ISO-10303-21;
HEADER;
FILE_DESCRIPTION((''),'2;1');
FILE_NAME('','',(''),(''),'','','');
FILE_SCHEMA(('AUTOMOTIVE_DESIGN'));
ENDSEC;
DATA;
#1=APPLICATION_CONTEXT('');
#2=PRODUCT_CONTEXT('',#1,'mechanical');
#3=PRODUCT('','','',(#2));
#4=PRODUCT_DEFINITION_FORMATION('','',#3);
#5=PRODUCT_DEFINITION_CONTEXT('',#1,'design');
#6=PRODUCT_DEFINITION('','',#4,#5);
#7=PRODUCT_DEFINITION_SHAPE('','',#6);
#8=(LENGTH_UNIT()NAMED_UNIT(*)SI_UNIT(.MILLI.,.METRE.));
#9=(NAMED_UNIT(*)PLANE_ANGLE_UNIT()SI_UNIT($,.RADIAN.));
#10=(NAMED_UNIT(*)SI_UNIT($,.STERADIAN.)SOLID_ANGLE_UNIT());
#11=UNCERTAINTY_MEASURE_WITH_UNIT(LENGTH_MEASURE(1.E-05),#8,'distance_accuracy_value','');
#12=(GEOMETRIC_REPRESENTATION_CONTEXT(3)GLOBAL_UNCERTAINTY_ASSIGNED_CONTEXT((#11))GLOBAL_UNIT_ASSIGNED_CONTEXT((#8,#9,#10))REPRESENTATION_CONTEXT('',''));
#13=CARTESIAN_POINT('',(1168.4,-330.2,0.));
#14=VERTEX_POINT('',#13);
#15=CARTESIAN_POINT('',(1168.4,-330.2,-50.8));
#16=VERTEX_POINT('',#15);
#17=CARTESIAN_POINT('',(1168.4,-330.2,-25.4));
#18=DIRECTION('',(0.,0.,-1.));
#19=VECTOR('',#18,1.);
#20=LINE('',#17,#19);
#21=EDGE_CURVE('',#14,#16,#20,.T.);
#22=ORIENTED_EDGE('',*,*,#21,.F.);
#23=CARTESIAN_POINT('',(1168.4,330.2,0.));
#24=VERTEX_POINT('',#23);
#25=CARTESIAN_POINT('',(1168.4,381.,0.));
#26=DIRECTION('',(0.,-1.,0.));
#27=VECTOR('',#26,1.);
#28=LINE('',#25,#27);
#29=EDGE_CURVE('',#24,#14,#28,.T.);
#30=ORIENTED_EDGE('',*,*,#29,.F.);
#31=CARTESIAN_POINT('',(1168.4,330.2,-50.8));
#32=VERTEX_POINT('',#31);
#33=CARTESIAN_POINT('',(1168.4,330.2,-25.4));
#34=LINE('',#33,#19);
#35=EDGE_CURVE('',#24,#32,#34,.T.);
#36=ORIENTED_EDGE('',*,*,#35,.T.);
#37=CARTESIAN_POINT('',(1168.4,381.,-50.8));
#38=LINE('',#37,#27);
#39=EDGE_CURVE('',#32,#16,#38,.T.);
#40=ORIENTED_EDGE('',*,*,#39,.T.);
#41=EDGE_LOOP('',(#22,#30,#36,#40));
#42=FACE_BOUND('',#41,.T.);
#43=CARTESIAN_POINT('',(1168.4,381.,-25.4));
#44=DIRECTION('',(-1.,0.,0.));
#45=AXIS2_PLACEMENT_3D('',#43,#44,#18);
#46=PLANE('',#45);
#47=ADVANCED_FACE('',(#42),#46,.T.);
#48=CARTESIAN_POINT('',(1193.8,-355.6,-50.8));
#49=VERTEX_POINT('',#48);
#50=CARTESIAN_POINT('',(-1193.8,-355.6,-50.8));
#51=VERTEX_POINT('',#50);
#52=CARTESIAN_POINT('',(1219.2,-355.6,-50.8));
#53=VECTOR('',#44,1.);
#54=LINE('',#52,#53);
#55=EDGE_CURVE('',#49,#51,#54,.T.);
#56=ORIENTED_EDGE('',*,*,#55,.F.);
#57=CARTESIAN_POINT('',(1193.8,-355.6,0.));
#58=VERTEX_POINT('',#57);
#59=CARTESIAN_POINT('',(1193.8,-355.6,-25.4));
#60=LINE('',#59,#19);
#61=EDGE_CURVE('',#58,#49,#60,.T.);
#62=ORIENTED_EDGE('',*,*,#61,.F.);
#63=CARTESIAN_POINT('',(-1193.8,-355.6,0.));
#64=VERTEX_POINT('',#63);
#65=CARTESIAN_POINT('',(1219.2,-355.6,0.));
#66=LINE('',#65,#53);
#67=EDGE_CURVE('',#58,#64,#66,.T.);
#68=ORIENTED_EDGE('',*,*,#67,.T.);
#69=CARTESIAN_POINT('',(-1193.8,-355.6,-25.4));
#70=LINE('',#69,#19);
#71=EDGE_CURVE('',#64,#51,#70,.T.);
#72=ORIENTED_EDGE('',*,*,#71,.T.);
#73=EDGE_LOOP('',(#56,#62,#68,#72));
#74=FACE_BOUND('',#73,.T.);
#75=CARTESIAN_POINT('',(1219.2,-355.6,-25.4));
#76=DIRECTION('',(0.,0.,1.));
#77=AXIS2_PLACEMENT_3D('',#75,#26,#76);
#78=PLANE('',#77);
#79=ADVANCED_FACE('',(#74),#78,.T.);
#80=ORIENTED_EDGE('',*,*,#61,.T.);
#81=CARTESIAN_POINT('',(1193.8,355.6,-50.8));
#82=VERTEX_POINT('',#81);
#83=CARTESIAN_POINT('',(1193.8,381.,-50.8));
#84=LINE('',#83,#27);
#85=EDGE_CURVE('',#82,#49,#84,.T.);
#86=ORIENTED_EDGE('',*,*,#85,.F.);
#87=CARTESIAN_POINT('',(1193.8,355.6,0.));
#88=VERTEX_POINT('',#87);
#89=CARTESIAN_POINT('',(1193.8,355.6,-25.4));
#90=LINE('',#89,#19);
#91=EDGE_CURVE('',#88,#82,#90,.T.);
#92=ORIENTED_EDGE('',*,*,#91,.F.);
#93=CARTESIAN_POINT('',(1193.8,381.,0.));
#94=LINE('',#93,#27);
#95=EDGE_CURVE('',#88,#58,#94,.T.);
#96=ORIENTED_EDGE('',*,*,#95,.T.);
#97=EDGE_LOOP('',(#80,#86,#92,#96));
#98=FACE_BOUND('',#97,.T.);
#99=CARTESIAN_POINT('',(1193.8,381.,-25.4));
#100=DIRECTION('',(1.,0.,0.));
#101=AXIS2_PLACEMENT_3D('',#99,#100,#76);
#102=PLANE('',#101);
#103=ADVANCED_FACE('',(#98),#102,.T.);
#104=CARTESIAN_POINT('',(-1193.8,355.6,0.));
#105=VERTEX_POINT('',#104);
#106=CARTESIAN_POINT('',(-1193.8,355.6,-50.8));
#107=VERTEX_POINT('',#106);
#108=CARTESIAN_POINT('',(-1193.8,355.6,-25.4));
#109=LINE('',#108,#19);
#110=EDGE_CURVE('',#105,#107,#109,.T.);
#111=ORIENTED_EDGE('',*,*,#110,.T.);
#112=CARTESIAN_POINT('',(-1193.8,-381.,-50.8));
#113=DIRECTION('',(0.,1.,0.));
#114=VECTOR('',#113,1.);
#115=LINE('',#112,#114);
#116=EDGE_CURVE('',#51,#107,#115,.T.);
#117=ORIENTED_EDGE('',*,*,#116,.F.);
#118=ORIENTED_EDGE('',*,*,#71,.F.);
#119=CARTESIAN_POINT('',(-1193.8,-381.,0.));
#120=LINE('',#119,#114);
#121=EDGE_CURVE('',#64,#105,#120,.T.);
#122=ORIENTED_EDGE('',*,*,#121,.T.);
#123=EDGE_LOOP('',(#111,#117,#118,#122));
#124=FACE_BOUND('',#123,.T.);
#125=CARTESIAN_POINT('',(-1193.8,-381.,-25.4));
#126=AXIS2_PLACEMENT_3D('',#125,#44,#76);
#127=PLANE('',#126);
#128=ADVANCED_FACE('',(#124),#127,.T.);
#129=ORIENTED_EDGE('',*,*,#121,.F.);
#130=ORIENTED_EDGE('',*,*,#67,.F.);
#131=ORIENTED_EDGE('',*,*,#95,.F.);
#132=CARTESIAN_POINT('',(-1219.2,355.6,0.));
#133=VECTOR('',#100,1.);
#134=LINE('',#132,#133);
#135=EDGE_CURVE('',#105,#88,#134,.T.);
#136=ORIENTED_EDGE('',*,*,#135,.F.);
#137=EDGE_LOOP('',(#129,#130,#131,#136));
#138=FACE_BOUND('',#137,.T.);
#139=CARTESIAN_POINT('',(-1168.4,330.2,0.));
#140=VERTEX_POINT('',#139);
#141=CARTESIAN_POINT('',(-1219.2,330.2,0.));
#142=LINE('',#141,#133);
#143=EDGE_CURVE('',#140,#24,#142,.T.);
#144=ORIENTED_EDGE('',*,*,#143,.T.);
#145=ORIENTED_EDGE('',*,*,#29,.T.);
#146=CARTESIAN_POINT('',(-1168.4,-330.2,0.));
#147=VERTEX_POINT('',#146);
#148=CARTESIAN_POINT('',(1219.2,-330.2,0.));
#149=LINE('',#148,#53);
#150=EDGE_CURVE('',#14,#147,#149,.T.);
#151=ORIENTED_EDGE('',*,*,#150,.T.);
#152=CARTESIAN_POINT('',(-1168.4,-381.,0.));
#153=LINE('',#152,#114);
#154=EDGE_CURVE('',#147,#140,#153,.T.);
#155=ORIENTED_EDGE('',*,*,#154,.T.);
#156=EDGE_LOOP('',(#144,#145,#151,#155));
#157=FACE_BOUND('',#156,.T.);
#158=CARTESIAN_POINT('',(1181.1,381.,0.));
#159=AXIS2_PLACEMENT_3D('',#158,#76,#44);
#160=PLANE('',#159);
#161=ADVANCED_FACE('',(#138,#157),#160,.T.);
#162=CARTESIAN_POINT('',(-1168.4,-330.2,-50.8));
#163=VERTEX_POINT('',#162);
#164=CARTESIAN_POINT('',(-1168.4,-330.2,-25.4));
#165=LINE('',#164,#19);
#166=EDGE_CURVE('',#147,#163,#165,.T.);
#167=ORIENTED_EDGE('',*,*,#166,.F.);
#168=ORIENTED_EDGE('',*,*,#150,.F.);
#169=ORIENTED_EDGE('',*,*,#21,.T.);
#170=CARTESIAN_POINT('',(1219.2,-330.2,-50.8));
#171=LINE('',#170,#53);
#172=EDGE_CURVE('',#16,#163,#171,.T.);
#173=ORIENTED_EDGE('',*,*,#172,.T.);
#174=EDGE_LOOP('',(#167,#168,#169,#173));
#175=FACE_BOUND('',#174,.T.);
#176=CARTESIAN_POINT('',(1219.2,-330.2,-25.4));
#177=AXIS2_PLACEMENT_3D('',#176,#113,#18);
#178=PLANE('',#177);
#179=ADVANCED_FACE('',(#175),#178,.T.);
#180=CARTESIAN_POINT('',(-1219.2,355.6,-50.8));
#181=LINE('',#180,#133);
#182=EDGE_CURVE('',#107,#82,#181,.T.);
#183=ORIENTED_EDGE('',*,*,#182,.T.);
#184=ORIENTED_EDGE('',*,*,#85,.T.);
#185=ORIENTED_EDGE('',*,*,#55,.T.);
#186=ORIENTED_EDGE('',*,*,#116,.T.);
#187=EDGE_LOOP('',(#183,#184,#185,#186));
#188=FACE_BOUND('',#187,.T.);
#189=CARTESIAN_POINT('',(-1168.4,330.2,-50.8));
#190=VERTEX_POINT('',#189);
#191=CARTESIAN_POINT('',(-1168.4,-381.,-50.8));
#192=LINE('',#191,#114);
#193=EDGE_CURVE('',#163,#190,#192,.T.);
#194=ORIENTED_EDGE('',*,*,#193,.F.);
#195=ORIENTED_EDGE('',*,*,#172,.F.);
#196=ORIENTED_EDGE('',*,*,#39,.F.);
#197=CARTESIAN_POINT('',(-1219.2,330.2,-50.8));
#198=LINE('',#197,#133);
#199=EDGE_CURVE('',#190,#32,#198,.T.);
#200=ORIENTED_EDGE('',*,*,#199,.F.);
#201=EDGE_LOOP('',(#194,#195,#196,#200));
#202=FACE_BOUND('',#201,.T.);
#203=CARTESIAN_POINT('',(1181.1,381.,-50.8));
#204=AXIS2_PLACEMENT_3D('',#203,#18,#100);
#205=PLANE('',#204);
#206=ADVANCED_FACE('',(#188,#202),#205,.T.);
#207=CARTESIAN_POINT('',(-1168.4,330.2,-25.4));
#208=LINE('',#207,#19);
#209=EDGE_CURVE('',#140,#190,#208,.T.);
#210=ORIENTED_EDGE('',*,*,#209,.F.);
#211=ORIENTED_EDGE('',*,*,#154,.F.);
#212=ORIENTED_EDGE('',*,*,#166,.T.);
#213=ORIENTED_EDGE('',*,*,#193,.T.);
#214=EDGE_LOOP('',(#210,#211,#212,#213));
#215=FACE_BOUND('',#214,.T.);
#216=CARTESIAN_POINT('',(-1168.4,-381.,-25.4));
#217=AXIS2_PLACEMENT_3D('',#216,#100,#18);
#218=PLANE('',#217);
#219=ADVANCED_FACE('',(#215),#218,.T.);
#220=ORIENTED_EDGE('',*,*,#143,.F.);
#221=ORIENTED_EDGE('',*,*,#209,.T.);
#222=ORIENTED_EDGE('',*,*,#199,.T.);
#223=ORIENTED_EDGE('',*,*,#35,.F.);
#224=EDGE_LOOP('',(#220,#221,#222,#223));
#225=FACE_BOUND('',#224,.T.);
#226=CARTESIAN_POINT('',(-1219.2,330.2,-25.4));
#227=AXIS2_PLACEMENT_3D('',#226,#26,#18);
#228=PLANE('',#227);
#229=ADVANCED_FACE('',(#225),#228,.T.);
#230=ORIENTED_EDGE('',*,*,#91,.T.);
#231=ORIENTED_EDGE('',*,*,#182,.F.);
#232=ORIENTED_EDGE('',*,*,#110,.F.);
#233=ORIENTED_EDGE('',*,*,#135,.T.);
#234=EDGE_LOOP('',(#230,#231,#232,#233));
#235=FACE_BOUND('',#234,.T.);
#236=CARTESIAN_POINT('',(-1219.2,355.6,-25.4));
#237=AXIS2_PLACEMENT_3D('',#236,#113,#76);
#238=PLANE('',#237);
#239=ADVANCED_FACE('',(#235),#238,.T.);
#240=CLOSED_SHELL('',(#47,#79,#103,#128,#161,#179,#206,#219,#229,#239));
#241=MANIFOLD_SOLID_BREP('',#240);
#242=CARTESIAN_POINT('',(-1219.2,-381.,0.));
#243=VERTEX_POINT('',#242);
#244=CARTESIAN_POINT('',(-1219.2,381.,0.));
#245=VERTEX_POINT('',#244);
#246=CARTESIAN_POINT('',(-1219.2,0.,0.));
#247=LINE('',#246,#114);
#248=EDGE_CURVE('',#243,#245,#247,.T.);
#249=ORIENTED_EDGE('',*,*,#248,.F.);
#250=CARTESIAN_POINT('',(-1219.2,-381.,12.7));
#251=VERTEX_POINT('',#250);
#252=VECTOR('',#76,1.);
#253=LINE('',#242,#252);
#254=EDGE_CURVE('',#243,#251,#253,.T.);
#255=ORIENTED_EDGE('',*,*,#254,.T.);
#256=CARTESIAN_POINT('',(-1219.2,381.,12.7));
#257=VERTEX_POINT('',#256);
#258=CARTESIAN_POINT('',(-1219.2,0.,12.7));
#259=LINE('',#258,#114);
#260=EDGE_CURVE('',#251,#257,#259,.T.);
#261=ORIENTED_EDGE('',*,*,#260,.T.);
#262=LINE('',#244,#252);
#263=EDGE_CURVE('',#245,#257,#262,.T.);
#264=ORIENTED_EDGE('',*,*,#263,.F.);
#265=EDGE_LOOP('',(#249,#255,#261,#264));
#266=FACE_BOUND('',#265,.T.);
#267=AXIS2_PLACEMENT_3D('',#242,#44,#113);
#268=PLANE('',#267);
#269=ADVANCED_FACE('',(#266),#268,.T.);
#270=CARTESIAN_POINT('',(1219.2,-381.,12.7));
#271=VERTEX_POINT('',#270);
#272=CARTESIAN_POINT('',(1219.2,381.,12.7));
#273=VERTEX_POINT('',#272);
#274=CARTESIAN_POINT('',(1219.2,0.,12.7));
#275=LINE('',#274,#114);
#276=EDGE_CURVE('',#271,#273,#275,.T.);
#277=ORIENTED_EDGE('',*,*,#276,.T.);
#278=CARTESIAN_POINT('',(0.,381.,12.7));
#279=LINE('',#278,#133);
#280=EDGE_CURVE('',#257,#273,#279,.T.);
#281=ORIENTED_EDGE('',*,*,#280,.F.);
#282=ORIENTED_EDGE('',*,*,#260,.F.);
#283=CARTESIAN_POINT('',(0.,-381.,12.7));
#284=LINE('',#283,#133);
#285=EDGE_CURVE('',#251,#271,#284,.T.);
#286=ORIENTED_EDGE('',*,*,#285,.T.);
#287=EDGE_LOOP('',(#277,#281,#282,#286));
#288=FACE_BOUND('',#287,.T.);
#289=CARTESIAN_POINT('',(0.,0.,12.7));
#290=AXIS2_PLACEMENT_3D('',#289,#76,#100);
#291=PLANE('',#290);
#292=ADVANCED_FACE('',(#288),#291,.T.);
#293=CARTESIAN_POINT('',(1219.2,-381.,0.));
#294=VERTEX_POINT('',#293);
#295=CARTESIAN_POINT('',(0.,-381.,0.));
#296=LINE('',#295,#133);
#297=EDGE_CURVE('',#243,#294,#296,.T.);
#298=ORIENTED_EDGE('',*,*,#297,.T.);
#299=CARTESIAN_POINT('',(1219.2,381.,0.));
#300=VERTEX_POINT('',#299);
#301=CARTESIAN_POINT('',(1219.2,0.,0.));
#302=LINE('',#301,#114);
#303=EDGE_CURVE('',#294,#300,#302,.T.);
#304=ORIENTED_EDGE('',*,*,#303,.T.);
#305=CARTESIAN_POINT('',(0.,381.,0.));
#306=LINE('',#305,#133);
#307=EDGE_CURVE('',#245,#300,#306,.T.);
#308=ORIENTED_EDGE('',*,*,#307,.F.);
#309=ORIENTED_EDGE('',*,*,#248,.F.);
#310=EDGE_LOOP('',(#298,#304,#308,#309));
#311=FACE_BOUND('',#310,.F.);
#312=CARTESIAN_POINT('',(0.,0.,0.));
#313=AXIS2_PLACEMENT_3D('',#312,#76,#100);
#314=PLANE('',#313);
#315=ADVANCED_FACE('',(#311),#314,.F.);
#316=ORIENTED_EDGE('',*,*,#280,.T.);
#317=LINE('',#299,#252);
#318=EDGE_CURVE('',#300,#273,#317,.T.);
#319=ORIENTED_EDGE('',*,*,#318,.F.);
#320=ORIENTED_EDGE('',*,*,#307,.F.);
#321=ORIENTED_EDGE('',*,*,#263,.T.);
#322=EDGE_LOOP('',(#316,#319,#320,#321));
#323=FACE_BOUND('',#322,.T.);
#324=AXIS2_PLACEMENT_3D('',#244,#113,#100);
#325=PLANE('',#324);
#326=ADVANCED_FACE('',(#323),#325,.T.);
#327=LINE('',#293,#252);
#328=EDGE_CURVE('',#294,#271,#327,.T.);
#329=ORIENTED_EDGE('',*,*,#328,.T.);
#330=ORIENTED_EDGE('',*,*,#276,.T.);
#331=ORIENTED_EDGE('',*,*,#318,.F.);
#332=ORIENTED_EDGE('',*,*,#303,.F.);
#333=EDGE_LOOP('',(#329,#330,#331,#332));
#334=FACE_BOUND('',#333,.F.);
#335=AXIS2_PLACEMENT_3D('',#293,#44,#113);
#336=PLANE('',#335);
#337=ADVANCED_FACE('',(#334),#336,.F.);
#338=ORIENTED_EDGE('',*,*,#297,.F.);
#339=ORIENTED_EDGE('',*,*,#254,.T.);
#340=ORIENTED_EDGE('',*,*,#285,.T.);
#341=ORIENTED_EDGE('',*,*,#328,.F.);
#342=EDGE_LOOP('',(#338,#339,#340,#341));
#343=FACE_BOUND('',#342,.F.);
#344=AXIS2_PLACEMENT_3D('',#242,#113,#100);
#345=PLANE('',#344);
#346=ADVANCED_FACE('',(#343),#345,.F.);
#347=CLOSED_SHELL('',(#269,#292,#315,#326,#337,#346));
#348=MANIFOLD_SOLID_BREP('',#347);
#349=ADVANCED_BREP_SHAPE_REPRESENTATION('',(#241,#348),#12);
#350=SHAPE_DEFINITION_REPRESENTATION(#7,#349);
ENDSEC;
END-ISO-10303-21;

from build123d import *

# Parameters (mm, degrees)
F1_W     = 25.4
F1_H     = 50.8
F0_W     = 2438.4
F0_H     = 762
F3_DEPTH = 12.7


with BuildPart() as f2:
    # F2: sweep along a path in F0
    with BuildLine(Plane.XY) as f2_path:
        Line((1219.2, 381), (1219.2, -381))
        Line((1219.2, -381), (-1219.2, -381))
        Line((-1219.2, -381), (-1219.2, 381))
        Line((-1219.2, 381), (1219.2, 381))
    # F1 (on Front) → F2 (sweep)
    with BuildSketch(Plane.XZ):
        with Locations((1181.1, -25.4)):
            Rectangle(F1_W, F1_H)
    sweep(path=f2_path.line, transition=Transition.RIGHT)


with BuildPart() as f3:
    # F0 (on Top) → F3 (new body)
    with BuildSketch(Plane.XY):
        Rectangle(F0_W, F0_H)
    extrude(amount=F3_DEPTH)


solid = Compound([f2.part, f3.part])
